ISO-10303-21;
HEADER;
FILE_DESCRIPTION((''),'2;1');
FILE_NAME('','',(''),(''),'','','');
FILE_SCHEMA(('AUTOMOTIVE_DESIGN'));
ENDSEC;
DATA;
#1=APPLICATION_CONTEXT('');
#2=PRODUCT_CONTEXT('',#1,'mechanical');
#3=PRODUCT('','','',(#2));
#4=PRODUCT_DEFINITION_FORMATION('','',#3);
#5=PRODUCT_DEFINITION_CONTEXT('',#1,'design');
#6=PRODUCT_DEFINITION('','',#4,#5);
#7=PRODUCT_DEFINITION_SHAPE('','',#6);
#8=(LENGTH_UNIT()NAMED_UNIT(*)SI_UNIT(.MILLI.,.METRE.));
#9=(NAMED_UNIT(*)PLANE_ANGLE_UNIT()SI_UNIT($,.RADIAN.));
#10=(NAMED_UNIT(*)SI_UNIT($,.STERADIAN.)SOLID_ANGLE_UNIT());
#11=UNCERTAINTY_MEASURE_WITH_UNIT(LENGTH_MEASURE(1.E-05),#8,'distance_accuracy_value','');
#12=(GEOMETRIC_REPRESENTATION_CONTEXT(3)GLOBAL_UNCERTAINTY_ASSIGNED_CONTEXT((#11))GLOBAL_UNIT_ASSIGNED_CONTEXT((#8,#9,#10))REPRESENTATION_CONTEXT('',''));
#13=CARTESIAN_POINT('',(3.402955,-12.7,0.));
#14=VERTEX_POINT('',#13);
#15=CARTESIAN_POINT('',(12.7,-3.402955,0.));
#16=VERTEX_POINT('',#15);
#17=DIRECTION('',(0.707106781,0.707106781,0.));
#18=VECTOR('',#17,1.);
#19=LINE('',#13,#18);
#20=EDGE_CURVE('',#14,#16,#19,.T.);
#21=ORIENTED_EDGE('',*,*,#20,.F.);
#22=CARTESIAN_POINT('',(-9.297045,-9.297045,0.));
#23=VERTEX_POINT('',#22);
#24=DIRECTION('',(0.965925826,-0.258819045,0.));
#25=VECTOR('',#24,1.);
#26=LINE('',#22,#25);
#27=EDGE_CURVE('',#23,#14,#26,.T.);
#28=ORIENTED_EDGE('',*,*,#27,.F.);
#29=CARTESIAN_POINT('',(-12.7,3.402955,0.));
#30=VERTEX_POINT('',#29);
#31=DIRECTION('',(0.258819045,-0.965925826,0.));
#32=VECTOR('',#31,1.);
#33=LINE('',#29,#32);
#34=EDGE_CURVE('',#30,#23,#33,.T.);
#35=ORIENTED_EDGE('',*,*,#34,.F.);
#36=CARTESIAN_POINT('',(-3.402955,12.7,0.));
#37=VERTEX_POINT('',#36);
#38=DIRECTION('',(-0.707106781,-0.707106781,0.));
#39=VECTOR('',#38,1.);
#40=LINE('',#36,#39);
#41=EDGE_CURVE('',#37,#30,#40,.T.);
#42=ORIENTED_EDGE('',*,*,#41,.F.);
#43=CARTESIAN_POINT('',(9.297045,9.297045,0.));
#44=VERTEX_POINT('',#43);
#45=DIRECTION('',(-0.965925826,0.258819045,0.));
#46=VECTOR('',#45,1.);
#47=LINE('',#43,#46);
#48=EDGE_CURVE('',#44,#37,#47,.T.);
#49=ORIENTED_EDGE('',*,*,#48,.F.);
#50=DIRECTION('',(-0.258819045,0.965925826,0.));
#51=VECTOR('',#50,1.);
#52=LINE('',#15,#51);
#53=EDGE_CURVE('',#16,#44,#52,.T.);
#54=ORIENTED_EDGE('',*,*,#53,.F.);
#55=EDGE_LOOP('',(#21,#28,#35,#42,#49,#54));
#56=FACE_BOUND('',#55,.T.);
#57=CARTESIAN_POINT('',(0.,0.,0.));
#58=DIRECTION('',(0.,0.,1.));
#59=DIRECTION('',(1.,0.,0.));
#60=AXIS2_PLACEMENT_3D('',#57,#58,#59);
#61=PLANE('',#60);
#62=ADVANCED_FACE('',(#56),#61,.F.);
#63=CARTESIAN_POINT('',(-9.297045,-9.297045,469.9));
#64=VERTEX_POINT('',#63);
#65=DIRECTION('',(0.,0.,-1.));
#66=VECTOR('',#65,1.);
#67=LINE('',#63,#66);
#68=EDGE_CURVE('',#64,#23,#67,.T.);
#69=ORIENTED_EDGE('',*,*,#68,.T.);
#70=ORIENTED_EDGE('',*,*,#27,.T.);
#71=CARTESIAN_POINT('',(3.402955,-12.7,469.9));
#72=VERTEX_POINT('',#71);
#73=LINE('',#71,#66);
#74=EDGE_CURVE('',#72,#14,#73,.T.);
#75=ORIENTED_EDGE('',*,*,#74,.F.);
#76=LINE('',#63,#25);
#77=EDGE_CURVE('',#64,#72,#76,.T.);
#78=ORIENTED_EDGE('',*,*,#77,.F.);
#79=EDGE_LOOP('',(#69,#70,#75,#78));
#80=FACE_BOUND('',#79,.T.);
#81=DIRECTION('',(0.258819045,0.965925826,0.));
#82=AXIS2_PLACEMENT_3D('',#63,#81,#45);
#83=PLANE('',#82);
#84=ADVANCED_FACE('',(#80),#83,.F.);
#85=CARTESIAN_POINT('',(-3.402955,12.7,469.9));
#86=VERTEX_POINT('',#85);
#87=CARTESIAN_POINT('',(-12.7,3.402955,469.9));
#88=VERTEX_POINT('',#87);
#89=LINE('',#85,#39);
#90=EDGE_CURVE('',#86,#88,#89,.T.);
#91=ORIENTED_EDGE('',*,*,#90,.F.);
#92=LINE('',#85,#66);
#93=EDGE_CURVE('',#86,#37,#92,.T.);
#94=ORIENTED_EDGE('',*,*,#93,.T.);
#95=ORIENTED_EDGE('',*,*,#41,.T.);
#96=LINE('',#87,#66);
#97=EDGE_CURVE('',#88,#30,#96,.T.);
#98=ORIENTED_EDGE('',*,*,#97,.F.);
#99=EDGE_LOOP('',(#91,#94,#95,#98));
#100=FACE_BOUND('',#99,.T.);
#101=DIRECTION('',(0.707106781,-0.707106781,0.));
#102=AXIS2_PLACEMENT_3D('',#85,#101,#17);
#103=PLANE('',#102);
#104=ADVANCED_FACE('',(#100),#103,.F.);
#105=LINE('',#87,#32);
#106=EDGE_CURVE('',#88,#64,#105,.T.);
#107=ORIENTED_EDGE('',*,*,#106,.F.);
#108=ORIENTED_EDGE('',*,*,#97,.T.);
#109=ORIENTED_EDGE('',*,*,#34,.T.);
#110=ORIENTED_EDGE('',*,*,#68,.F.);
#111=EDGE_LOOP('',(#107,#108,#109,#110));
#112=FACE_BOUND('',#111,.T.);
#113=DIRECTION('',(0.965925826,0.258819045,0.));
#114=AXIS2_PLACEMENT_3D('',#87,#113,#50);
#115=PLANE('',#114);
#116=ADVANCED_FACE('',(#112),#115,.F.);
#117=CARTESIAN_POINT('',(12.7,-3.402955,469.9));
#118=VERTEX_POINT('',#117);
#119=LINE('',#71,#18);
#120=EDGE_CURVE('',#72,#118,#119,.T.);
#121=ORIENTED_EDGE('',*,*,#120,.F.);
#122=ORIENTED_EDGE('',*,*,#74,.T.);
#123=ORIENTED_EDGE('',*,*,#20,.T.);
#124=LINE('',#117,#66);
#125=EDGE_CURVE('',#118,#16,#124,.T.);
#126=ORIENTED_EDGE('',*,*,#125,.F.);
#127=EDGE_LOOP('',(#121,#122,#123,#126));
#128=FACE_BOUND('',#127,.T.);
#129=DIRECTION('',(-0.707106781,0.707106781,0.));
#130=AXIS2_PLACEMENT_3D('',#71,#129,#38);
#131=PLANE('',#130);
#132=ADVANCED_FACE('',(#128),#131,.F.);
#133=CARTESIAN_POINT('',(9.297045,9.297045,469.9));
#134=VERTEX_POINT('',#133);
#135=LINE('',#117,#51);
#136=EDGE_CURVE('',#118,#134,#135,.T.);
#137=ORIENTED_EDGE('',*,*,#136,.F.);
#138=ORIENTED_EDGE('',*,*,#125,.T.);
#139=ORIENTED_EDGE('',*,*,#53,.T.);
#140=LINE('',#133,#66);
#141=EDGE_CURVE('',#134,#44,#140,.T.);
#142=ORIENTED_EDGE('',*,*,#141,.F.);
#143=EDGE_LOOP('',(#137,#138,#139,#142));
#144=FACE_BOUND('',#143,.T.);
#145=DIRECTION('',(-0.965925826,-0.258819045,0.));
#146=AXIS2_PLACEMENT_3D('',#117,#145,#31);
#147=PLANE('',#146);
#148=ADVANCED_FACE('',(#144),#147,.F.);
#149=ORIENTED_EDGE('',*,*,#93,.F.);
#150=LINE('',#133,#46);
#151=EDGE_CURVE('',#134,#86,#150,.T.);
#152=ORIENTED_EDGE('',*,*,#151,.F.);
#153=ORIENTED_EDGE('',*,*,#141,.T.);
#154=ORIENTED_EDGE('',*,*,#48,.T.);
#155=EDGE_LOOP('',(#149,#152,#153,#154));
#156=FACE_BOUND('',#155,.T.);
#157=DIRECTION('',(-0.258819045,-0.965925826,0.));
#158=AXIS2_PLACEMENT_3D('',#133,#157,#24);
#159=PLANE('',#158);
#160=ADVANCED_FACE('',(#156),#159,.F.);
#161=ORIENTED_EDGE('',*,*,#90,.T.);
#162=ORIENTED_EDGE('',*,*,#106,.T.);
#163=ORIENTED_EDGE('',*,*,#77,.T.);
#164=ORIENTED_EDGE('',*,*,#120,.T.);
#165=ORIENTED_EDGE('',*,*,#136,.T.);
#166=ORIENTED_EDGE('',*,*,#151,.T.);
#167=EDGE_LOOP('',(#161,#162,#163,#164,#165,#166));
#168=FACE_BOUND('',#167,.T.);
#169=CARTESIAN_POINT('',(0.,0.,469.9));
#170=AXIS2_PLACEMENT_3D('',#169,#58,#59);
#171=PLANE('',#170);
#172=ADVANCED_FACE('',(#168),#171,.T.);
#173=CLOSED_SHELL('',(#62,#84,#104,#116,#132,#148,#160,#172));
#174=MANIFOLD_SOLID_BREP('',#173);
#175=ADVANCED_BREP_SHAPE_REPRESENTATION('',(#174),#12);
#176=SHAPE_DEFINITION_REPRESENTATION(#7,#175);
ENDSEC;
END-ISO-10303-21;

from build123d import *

# Parameters (mm, degrees)
BOSS_EXTRUDE1_DEPTH = 469.9


with BuildPart() as part:
    # Sketch1 → Boss-Extrude1 (new body)
    with BuildSketch(Plane.XY):
        Polygon((12.7, -3.402954744), (9.297045256, 9.297045256), (-3.402954744, 12.7), (-12.7, 3.402954744), (-9.297045256, -9.297045256), (3.402954744, -12.7), align=None)
    extrude(amount=BOSS_EXTRUDE1_DEPTH)


solid = part.part
